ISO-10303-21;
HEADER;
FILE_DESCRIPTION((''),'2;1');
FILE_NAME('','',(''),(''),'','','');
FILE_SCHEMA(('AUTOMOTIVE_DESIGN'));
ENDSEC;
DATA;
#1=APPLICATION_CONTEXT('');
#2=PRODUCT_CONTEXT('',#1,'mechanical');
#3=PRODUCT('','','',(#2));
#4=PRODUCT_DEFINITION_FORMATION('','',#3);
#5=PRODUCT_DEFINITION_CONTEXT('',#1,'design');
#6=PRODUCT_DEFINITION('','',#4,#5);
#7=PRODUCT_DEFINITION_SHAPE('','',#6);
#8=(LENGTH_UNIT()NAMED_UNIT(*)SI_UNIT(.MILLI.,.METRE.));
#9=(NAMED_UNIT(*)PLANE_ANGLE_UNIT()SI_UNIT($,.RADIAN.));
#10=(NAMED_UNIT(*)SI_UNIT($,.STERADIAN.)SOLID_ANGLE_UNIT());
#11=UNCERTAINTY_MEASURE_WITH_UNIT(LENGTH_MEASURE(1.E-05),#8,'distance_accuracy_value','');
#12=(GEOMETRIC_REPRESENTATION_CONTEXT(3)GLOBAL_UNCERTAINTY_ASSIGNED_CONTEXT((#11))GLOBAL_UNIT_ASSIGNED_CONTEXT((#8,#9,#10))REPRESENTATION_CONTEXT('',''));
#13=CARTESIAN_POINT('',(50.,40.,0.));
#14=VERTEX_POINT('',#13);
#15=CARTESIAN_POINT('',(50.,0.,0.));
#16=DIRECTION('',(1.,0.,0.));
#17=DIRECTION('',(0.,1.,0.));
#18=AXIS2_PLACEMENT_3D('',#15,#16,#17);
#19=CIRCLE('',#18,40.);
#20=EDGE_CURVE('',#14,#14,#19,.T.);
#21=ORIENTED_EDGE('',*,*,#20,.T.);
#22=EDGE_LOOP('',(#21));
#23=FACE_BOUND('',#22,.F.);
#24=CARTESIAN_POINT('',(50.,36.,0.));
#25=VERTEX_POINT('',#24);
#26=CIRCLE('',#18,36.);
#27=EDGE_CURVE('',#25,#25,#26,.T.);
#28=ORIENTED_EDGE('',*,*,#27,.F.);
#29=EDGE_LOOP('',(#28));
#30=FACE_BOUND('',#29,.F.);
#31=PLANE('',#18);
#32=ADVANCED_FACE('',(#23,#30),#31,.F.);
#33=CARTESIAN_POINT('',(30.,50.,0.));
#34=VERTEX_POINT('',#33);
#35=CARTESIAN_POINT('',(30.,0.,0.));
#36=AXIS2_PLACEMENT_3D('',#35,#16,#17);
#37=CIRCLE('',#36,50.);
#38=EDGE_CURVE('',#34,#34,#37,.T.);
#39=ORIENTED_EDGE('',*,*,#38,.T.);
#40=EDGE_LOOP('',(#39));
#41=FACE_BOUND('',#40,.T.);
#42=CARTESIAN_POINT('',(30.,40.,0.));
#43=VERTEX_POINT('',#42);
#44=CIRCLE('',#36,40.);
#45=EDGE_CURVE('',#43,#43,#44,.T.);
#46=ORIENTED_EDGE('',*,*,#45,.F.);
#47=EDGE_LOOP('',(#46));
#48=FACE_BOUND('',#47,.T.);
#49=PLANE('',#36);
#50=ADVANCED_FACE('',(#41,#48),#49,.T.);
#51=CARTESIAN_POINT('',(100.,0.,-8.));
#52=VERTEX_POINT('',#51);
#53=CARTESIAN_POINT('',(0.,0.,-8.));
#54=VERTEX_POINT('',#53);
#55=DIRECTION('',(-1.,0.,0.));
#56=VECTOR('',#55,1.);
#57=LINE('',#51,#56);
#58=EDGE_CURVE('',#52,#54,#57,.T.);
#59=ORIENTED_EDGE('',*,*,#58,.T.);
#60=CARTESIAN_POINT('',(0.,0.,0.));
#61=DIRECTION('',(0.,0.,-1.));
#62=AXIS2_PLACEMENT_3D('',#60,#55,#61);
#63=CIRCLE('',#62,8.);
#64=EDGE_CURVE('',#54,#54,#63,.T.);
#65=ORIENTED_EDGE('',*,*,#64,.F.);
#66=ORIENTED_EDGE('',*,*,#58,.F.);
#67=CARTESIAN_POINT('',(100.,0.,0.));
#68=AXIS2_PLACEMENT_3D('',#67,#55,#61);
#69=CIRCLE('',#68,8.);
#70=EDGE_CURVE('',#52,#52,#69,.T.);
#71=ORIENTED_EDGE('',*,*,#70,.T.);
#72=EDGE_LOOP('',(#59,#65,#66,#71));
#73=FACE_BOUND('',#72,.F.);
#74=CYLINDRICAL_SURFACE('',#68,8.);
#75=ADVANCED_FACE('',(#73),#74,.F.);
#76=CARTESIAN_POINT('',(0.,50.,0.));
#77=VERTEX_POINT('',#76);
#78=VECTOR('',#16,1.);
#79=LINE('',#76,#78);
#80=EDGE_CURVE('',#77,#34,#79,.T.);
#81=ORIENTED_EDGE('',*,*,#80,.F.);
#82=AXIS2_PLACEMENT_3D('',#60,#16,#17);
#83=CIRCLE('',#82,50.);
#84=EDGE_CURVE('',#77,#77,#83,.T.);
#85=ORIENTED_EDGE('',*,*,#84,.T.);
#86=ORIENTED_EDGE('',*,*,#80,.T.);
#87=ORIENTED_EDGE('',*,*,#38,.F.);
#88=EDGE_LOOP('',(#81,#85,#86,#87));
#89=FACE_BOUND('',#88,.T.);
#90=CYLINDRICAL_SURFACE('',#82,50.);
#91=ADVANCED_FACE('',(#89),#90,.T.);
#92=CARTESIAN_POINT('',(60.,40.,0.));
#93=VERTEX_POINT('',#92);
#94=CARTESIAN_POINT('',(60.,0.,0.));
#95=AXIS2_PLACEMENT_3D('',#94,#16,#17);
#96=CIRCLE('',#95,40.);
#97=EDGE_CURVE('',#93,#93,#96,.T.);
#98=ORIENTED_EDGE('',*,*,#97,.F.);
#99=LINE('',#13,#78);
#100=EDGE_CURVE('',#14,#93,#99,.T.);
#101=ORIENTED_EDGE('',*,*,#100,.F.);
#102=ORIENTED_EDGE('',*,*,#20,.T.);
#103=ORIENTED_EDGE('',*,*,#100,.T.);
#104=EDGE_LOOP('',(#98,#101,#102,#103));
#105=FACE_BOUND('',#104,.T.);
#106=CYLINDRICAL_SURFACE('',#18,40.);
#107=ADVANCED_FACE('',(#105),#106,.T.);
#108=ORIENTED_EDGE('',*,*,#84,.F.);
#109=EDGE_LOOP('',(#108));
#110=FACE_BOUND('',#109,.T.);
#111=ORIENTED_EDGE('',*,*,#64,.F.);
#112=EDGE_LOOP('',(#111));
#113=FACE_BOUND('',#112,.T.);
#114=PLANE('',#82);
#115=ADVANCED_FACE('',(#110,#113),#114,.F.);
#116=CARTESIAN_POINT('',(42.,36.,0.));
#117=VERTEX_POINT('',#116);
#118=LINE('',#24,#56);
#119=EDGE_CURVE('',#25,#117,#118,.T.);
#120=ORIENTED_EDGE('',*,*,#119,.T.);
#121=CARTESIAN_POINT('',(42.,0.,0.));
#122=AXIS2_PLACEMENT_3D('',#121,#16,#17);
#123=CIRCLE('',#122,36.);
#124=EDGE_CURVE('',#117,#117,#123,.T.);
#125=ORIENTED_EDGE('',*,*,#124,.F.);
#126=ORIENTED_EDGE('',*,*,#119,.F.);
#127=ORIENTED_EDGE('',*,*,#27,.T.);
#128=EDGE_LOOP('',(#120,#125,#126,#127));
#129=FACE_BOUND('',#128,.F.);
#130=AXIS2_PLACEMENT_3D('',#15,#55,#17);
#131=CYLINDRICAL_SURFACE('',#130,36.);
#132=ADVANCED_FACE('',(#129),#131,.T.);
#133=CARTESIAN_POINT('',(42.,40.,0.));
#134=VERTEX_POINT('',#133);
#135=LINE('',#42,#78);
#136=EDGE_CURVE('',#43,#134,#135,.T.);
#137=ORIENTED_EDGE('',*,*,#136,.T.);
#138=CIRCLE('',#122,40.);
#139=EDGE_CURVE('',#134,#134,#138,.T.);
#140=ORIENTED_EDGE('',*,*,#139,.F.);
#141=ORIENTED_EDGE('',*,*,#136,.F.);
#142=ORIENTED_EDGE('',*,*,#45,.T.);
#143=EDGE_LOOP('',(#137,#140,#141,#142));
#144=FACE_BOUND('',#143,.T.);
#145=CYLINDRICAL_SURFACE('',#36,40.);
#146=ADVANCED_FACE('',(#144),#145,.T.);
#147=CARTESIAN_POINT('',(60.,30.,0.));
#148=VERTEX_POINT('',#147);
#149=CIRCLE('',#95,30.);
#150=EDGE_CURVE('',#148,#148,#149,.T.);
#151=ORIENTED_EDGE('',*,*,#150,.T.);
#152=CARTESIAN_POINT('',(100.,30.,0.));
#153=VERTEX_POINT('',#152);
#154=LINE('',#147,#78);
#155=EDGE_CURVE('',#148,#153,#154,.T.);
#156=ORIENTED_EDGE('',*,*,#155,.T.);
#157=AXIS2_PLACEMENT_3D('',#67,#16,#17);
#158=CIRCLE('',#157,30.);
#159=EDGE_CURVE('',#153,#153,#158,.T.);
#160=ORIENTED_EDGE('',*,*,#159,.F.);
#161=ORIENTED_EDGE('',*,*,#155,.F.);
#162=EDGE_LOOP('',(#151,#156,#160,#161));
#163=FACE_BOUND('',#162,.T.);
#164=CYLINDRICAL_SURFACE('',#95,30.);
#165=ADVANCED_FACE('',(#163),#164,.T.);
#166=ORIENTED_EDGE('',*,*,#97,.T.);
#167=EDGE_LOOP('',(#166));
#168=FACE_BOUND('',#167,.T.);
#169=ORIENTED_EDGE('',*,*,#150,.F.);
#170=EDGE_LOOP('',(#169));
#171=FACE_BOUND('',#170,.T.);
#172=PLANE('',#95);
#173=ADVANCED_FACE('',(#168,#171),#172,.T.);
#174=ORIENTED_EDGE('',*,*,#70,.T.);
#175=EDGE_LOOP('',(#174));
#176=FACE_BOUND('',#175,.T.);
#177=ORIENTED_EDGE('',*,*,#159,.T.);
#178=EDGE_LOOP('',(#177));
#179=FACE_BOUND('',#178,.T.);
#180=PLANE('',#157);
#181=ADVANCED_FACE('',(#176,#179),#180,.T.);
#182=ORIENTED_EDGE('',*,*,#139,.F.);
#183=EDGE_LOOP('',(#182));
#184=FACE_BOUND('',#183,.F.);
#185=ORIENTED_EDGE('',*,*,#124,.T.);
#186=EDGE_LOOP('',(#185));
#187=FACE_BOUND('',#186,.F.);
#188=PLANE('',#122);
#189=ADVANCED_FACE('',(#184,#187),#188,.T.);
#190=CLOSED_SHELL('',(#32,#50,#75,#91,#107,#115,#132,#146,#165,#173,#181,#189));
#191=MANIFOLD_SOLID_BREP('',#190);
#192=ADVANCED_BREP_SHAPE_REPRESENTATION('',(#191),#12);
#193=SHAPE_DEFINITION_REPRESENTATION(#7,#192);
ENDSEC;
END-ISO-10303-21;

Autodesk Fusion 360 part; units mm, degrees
sketch "Sketch1" plane through (0, 0, 0) normal (0, 0, 1) x (1, 0, 0)
  line L0 (0, 0) -> (100, 0)
  line L1 (0, 0) -> (0, 50)
  line L2 (0, 50) -> (30, 50)
  line L3 (30, 50) -> (30, 40)
  line L4 (60, 40) -> (60, 30)
  line L5 (60, 30) -> (100, 30)
  line L6 (100, 30) -> (100, 0)
  line L7 (50, 40) -> (50, 36)
  line L8 (50, 36) -> (42, 36)
  line L9 (42, 36) -> (42, 40)
  line L10 (30, 40) -> (42, 40)
  line L11 (50, 40) -> (60, 40)
  dimension "d1" = 100
  dimension "d2" = 50
  dimension "d3" = 4
  dimension "d4" = 8
revolve "Revolve1" add sketch "Sketch1" angle 360 about axis through (0, 0, 0) along (1, 0, 0)
sketch "Sketch2" plane through (100, 0, 0) normal (1, 0, 0) x (0, 1, 0)
  circle A0 centre (0, 0) radius 30
hole "Hole1" at (100, 0, 0) direction (-1, 0, 0) diameter 16 end through all
